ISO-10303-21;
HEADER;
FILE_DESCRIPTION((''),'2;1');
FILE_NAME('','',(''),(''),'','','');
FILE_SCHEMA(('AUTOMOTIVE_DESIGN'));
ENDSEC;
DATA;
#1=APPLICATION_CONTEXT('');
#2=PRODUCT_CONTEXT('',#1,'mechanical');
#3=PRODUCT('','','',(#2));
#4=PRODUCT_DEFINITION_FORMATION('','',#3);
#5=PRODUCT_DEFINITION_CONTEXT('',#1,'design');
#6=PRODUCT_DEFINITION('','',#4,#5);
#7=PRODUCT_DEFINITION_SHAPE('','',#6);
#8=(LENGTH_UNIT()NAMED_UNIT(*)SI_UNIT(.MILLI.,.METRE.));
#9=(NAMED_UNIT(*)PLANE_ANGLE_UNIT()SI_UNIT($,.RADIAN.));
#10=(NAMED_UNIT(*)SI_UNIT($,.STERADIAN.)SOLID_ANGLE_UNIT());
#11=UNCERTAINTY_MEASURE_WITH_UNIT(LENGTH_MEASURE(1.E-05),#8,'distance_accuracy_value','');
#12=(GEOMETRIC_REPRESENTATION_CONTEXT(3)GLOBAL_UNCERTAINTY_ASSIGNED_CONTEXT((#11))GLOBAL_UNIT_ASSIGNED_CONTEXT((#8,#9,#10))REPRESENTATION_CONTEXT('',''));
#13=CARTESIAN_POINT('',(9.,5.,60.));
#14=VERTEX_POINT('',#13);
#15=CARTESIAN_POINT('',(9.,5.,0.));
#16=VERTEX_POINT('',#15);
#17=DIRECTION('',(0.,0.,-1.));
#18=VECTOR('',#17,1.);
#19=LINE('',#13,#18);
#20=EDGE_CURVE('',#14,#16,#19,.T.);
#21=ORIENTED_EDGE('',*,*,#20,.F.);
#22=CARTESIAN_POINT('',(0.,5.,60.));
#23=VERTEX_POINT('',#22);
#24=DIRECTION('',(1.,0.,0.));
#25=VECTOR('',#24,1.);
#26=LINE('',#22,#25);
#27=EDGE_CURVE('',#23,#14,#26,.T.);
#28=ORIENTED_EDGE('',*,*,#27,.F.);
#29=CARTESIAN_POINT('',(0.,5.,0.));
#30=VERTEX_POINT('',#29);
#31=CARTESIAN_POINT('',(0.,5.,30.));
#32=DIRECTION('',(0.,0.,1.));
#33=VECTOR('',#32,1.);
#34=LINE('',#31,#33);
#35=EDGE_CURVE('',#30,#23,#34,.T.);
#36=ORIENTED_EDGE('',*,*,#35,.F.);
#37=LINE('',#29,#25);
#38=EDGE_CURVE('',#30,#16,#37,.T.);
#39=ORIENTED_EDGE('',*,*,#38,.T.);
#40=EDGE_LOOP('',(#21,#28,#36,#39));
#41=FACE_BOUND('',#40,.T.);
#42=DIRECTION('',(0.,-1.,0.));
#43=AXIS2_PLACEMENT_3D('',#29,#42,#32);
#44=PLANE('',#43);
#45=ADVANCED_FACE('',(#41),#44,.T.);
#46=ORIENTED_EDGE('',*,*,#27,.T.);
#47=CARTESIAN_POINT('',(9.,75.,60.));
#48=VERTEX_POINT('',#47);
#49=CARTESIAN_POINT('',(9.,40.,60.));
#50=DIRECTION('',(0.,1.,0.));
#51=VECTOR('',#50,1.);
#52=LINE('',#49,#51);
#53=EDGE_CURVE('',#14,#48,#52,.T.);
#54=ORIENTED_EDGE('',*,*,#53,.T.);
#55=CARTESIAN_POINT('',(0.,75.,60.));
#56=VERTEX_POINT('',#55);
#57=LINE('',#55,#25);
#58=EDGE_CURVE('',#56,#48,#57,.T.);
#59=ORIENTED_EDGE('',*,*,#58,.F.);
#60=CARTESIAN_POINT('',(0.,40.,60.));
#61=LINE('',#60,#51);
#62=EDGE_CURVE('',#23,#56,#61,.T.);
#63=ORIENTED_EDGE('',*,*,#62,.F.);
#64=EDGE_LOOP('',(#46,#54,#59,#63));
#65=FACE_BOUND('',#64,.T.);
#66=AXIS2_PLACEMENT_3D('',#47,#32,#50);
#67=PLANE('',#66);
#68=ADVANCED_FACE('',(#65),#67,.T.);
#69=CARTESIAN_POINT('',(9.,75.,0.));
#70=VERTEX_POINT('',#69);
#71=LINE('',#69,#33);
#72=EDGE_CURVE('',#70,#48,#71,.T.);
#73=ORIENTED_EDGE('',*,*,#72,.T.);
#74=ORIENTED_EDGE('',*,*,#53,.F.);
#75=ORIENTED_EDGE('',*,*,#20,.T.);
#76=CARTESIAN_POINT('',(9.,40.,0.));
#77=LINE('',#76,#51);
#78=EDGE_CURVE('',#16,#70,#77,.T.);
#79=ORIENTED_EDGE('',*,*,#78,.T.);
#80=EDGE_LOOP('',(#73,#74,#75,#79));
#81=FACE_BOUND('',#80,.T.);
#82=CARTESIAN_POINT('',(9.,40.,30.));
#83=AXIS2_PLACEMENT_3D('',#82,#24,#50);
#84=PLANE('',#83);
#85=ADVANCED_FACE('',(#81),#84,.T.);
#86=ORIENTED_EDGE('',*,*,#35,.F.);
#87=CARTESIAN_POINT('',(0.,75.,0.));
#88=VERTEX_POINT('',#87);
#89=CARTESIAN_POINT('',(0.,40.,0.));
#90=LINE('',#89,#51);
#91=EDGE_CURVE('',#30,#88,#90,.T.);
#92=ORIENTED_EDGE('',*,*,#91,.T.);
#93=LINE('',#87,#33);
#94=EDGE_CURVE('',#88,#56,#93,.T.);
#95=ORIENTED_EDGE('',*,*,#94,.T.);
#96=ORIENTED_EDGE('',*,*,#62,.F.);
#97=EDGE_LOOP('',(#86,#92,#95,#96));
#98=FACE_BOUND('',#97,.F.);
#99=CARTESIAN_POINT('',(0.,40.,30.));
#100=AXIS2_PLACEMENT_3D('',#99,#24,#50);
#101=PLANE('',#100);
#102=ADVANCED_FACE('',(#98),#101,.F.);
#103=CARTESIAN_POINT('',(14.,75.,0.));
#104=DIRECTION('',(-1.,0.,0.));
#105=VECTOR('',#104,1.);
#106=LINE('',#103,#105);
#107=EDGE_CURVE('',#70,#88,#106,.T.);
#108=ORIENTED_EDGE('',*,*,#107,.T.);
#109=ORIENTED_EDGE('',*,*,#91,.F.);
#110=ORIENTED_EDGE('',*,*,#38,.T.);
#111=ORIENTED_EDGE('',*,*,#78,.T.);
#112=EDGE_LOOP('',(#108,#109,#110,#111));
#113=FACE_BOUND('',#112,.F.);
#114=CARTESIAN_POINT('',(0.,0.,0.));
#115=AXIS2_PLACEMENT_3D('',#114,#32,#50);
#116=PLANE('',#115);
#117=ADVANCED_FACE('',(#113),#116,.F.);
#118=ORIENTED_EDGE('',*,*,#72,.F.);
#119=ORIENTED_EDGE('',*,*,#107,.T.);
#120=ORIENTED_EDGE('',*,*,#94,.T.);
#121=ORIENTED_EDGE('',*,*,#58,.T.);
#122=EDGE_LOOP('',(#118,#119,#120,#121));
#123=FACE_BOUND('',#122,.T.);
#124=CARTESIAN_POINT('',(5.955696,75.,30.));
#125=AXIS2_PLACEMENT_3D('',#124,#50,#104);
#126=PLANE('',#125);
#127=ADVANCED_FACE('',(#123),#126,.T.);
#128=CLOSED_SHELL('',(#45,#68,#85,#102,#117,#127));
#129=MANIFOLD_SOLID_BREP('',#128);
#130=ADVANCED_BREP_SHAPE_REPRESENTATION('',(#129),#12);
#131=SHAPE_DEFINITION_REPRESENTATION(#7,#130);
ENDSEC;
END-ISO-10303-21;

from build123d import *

# Parameters (mm, degrees)
F0_W     = 80
F0_H     = 60
F1_DEPTH = 9
F2_W     = 5
F2_H     = 9
F3_DEPTH = 5
F5_DEPTH = 5
F6_DEPTH = 5


with BuildPart() as f1:
    # F0 (on Right) → F1 (new body)
    with BuildSketch(Plane.YZ):
        with Locations((40, 30)):
            Rectangle(F0_W, F0_H)
    extrude(amount=F1_DEPTH)

    # F2 (on face) → F3 (join)
    with BuildSketch(Plane.YZ.offset(9)):
        with Locations((77.5, 55.5)):
            Rectangle(F2_W, F2_H)
        with Locations((2.5, 55.5)):
            Rectangle(F2_W, F2_H)
        with Locations((2.5, 4.5)):
            Rectangle(F2_W, F2_H)
        with Locations((77.5, 4.5)):
            Rectangle(F2_W, F2_H)
    extrude(amount=F3_DEPTH)

    # F4 (on face) → F5 (cut, through all)
    with BuildSketch(Plane(origin=(0, 80, 0), x_dir=(-1, 0, 0), z_dir=(0, 1, 0))):
        Polygon((0, 60), (-14, 60), (-14, 51), (-9, 51), (-9, 9), (-14, 9), (-14, 0), (0, 0), align=None)
    extrude(amount=-F5_DEPTH, mode=Mode.SUBTRACT)

    # F6 (cut, through all): a face of the model
    f6_faces = [f1.faces().sort_by_distance(p)[0] for p in [
        (5.5, 0, 30),
    ]]
    extrude(f6_faces, amount=-F6_DEPTH, mode=Mode.SUBTRACT)


solid = f1.part
